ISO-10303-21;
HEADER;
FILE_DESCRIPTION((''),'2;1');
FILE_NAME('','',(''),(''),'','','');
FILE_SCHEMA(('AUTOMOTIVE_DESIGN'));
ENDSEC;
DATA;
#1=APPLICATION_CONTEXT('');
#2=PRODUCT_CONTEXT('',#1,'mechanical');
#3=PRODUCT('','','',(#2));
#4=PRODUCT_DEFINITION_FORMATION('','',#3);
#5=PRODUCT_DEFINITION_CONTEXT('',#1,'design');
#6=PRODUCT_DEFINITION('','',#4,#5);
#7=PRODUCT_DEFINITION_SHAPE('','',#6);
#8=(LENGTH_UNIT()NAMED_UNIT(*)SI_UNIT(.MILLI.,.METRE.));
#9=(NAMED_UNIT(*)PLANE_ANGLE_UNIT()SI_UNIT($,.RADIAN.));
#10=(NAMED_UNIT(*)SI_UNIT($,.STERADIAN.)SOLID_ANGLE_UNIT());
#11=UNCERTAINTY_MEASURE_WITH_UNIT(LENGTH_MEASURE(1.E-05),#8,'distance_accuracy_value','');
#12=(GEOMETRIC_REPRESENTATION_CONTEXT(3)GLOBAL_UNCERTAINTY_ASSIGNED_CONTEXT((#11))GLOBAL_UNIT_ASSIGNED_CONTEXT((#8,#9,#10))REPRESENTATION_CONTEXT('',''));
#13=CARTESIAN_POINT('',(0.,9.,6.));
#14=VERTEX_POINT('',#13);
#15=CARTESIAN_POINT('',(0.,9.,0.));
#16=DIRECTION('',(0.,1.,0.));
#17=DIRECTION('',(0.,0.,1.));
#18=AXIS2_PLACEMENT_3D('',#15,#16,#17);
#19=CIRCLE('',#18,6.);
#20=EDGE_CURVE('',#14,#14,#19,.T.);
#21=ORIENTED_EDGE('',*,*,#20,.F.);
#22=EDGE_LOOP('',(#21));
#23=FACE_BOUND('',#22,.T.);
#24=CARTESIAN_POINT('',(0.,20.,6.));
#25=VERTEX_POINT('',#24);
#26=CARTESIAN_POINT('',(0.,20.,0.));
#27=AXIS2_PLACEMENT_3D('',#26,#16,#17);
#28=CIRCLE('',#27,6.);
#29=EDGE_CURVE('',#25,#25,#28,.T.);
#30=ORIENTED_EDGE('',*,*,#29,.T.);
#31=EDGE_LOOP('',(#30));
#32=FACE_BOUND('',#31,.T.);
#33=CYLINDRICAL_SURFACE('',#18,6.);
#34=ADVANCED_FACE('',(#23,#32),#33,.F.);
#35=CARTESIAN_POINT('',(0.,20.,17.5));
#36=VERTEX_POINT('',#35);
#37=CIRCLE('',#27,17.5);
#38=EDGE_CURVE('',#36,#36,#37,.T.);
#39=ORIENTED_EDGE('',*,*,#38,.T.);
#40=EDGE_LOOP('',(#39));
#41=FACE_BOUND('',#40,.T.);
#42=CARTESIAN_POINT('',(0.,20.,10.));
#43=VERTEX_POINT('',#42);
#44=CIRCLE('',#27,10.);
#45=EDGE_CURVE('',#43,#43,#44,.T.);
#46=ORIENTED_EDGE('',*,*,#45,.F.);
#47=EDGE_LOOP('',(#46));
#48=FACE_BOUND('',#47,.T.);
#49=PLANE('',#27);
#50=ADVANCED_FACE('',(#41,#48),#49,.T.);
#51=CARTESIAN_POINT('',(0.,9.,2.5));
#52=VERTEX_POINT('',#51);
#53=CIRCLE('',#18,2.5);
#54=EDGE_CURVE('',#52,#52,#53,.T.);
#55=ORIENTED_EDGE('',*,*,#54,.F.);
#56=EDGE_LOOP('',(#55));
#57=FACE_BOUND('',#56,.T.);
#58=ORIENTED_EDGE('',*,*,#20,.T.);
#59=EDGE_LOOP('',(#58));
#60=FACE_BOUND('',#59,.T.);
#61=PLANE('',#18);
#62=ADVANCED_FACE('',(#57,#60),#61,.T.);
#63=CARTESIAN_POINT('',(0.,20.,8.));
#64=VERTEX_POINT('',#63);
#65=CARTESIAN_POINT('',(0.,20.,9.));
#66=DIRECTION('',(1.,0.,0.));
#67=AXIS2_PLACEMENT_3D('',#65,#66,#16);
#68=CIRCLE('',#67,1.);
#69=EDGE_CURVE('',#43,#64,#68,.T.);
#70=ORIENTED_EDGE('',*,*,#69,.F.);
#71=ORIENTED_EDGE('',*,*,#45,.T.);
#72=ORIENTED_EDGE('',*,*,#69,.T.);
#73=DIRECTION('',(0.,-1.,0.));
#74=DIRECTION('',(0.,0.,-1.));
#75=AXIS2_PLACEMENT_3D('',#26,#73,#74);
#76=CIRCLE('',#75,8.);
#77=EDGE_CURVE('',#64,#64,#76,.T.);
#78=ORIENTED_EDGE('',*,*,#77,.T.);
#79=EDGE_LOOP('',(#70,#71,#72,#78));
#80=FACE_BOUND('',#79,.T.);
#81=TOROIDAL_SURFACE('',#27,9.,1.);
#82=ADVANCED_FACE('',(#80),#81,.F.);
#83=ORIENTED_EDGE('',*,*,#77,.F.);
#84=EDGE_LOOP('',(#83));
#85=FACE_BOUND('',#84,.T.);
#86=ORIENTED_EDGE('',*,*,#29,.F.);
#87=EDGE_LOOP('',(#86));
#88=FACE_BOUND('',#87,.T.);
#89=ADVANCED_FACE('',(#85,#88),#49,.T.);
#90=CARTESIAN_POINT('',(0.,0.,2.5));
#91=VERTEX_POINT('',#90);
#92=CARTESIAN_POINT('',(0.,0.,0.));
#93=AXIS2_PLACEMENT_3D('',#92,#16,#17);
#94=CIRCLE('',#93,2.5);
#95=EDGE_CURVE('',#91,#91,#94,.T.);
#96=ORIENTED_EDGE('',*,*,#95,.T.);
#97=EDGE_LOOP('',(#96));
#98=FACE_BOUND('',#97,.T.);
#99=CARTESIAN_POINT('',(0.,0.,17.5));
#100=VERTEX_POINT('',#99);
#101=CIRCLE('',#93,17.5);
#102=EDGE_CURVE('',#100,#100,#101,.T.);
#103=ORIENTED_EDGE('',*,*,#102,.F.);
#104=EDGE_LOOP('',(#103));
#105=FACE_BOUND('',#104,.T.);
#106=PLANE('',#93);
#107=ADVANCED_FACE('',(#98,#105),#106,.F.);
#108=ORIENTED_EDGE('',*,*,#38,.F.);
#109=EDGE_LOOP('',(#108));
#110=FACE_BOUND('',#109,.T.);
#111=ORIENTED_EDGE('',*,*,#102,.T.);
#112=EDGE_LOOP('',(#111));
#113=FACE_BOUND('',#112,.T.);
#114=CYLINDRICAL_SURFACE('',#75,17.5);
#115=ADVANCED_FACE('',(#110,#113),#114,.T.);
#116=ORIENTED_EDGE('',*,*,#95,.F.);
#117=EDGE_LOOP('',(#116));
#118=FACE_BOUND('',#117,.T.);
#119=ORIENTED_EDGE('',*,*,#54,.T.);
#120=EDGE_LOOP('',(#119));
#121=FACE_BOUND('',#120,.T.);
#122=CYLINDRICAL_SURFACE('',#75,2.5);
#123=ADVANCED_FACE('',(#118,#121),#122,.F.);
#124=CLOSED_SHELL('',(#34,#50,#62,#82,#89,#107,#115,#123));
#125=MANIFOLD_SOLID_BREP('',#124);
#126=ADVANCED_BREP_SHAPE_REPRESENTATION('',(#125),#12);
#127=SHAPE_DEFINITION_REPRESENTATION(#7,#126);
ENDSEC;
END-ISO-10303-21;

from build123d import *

# Parameters (mm, degrees)
SKETCH2_R            = 17.5
BOSS_EXTRUDE1_DEPTH  = 20
CUT_SWEEP1_PROFILE_R = 1
SKETCH62_R           = 2.5
CUT_EXTRUDE3_DEPTH   = 32.819805153
SKETCH65_R           = 6
CUT_EXTRUDE4_DEPTH   = 11


with BuildPart() as part:
    # Sketch2 → Boss-Extrude1 (new body)
    with BuildSketch(Plane(origin=(0, 0, 0), x_dir=(1, 0, 0), z_dir=(0, 1, 0))):
        with Locations(Location((0, 0, 0), (0, 0, 270))):
            Circle(SKETCH2_R)
    extrude(amount=BOSS_EXTRUDE1_DEPTH)

    # Cut-Sweep1: sweep along a path in Sketch39
    with BuildLine(Plane(origin=(0, 20, 0), x_dir=(1, 0, 0), z_dir=(0, 1, 0))) as cut_sweep1_path:
        CenterArc((0, 0), 9, 0, 360)
    # Cut-Sweep1 profile (on start of the path) → Cut-Sweep1 (sweep, cut)
    with BuildSketch(Plane(origin=(9, 20, 0), x_dir=(-1, 0, 0), z_dir=(0, 0, -1))):
        Circle(CUT_SWEEP1_PROFILE_R)
    sweep(path=cut_sweep1_path.line, mode=Mode.SUBTRACT)

    # Sketch62 → Cut-Extrude3 (cut, through all)
    with BuildSketch(Plane(origin=(0, 0, 0), x_dir=(1, 0, 0), z_dir=(0, 1, 0))):
        with Locations(Location((0, 0, 0), (0, 0, 270))):
            Circle(SKETCH62_R)
    extrude(amount=CUT_EXTRUDE3_DEPTH, mode=Mode.SUBTRACT)

    # Sketch65 → Cut-Extrude4 (cut)
    with BuildSketch(Plane(origin=(0, 20, 0), x_dir=(1, 0, 0), z_dir=(0, 1, 0))):
        with Locations(Location((0, 0, 0), (0, 0, 270))):
            Circle(SKETCH65_R)
    extrude(amount=-CUT_EXTRUDE4_DEPTH, mode=Mode.SUBTRACT)


solid = part.part
